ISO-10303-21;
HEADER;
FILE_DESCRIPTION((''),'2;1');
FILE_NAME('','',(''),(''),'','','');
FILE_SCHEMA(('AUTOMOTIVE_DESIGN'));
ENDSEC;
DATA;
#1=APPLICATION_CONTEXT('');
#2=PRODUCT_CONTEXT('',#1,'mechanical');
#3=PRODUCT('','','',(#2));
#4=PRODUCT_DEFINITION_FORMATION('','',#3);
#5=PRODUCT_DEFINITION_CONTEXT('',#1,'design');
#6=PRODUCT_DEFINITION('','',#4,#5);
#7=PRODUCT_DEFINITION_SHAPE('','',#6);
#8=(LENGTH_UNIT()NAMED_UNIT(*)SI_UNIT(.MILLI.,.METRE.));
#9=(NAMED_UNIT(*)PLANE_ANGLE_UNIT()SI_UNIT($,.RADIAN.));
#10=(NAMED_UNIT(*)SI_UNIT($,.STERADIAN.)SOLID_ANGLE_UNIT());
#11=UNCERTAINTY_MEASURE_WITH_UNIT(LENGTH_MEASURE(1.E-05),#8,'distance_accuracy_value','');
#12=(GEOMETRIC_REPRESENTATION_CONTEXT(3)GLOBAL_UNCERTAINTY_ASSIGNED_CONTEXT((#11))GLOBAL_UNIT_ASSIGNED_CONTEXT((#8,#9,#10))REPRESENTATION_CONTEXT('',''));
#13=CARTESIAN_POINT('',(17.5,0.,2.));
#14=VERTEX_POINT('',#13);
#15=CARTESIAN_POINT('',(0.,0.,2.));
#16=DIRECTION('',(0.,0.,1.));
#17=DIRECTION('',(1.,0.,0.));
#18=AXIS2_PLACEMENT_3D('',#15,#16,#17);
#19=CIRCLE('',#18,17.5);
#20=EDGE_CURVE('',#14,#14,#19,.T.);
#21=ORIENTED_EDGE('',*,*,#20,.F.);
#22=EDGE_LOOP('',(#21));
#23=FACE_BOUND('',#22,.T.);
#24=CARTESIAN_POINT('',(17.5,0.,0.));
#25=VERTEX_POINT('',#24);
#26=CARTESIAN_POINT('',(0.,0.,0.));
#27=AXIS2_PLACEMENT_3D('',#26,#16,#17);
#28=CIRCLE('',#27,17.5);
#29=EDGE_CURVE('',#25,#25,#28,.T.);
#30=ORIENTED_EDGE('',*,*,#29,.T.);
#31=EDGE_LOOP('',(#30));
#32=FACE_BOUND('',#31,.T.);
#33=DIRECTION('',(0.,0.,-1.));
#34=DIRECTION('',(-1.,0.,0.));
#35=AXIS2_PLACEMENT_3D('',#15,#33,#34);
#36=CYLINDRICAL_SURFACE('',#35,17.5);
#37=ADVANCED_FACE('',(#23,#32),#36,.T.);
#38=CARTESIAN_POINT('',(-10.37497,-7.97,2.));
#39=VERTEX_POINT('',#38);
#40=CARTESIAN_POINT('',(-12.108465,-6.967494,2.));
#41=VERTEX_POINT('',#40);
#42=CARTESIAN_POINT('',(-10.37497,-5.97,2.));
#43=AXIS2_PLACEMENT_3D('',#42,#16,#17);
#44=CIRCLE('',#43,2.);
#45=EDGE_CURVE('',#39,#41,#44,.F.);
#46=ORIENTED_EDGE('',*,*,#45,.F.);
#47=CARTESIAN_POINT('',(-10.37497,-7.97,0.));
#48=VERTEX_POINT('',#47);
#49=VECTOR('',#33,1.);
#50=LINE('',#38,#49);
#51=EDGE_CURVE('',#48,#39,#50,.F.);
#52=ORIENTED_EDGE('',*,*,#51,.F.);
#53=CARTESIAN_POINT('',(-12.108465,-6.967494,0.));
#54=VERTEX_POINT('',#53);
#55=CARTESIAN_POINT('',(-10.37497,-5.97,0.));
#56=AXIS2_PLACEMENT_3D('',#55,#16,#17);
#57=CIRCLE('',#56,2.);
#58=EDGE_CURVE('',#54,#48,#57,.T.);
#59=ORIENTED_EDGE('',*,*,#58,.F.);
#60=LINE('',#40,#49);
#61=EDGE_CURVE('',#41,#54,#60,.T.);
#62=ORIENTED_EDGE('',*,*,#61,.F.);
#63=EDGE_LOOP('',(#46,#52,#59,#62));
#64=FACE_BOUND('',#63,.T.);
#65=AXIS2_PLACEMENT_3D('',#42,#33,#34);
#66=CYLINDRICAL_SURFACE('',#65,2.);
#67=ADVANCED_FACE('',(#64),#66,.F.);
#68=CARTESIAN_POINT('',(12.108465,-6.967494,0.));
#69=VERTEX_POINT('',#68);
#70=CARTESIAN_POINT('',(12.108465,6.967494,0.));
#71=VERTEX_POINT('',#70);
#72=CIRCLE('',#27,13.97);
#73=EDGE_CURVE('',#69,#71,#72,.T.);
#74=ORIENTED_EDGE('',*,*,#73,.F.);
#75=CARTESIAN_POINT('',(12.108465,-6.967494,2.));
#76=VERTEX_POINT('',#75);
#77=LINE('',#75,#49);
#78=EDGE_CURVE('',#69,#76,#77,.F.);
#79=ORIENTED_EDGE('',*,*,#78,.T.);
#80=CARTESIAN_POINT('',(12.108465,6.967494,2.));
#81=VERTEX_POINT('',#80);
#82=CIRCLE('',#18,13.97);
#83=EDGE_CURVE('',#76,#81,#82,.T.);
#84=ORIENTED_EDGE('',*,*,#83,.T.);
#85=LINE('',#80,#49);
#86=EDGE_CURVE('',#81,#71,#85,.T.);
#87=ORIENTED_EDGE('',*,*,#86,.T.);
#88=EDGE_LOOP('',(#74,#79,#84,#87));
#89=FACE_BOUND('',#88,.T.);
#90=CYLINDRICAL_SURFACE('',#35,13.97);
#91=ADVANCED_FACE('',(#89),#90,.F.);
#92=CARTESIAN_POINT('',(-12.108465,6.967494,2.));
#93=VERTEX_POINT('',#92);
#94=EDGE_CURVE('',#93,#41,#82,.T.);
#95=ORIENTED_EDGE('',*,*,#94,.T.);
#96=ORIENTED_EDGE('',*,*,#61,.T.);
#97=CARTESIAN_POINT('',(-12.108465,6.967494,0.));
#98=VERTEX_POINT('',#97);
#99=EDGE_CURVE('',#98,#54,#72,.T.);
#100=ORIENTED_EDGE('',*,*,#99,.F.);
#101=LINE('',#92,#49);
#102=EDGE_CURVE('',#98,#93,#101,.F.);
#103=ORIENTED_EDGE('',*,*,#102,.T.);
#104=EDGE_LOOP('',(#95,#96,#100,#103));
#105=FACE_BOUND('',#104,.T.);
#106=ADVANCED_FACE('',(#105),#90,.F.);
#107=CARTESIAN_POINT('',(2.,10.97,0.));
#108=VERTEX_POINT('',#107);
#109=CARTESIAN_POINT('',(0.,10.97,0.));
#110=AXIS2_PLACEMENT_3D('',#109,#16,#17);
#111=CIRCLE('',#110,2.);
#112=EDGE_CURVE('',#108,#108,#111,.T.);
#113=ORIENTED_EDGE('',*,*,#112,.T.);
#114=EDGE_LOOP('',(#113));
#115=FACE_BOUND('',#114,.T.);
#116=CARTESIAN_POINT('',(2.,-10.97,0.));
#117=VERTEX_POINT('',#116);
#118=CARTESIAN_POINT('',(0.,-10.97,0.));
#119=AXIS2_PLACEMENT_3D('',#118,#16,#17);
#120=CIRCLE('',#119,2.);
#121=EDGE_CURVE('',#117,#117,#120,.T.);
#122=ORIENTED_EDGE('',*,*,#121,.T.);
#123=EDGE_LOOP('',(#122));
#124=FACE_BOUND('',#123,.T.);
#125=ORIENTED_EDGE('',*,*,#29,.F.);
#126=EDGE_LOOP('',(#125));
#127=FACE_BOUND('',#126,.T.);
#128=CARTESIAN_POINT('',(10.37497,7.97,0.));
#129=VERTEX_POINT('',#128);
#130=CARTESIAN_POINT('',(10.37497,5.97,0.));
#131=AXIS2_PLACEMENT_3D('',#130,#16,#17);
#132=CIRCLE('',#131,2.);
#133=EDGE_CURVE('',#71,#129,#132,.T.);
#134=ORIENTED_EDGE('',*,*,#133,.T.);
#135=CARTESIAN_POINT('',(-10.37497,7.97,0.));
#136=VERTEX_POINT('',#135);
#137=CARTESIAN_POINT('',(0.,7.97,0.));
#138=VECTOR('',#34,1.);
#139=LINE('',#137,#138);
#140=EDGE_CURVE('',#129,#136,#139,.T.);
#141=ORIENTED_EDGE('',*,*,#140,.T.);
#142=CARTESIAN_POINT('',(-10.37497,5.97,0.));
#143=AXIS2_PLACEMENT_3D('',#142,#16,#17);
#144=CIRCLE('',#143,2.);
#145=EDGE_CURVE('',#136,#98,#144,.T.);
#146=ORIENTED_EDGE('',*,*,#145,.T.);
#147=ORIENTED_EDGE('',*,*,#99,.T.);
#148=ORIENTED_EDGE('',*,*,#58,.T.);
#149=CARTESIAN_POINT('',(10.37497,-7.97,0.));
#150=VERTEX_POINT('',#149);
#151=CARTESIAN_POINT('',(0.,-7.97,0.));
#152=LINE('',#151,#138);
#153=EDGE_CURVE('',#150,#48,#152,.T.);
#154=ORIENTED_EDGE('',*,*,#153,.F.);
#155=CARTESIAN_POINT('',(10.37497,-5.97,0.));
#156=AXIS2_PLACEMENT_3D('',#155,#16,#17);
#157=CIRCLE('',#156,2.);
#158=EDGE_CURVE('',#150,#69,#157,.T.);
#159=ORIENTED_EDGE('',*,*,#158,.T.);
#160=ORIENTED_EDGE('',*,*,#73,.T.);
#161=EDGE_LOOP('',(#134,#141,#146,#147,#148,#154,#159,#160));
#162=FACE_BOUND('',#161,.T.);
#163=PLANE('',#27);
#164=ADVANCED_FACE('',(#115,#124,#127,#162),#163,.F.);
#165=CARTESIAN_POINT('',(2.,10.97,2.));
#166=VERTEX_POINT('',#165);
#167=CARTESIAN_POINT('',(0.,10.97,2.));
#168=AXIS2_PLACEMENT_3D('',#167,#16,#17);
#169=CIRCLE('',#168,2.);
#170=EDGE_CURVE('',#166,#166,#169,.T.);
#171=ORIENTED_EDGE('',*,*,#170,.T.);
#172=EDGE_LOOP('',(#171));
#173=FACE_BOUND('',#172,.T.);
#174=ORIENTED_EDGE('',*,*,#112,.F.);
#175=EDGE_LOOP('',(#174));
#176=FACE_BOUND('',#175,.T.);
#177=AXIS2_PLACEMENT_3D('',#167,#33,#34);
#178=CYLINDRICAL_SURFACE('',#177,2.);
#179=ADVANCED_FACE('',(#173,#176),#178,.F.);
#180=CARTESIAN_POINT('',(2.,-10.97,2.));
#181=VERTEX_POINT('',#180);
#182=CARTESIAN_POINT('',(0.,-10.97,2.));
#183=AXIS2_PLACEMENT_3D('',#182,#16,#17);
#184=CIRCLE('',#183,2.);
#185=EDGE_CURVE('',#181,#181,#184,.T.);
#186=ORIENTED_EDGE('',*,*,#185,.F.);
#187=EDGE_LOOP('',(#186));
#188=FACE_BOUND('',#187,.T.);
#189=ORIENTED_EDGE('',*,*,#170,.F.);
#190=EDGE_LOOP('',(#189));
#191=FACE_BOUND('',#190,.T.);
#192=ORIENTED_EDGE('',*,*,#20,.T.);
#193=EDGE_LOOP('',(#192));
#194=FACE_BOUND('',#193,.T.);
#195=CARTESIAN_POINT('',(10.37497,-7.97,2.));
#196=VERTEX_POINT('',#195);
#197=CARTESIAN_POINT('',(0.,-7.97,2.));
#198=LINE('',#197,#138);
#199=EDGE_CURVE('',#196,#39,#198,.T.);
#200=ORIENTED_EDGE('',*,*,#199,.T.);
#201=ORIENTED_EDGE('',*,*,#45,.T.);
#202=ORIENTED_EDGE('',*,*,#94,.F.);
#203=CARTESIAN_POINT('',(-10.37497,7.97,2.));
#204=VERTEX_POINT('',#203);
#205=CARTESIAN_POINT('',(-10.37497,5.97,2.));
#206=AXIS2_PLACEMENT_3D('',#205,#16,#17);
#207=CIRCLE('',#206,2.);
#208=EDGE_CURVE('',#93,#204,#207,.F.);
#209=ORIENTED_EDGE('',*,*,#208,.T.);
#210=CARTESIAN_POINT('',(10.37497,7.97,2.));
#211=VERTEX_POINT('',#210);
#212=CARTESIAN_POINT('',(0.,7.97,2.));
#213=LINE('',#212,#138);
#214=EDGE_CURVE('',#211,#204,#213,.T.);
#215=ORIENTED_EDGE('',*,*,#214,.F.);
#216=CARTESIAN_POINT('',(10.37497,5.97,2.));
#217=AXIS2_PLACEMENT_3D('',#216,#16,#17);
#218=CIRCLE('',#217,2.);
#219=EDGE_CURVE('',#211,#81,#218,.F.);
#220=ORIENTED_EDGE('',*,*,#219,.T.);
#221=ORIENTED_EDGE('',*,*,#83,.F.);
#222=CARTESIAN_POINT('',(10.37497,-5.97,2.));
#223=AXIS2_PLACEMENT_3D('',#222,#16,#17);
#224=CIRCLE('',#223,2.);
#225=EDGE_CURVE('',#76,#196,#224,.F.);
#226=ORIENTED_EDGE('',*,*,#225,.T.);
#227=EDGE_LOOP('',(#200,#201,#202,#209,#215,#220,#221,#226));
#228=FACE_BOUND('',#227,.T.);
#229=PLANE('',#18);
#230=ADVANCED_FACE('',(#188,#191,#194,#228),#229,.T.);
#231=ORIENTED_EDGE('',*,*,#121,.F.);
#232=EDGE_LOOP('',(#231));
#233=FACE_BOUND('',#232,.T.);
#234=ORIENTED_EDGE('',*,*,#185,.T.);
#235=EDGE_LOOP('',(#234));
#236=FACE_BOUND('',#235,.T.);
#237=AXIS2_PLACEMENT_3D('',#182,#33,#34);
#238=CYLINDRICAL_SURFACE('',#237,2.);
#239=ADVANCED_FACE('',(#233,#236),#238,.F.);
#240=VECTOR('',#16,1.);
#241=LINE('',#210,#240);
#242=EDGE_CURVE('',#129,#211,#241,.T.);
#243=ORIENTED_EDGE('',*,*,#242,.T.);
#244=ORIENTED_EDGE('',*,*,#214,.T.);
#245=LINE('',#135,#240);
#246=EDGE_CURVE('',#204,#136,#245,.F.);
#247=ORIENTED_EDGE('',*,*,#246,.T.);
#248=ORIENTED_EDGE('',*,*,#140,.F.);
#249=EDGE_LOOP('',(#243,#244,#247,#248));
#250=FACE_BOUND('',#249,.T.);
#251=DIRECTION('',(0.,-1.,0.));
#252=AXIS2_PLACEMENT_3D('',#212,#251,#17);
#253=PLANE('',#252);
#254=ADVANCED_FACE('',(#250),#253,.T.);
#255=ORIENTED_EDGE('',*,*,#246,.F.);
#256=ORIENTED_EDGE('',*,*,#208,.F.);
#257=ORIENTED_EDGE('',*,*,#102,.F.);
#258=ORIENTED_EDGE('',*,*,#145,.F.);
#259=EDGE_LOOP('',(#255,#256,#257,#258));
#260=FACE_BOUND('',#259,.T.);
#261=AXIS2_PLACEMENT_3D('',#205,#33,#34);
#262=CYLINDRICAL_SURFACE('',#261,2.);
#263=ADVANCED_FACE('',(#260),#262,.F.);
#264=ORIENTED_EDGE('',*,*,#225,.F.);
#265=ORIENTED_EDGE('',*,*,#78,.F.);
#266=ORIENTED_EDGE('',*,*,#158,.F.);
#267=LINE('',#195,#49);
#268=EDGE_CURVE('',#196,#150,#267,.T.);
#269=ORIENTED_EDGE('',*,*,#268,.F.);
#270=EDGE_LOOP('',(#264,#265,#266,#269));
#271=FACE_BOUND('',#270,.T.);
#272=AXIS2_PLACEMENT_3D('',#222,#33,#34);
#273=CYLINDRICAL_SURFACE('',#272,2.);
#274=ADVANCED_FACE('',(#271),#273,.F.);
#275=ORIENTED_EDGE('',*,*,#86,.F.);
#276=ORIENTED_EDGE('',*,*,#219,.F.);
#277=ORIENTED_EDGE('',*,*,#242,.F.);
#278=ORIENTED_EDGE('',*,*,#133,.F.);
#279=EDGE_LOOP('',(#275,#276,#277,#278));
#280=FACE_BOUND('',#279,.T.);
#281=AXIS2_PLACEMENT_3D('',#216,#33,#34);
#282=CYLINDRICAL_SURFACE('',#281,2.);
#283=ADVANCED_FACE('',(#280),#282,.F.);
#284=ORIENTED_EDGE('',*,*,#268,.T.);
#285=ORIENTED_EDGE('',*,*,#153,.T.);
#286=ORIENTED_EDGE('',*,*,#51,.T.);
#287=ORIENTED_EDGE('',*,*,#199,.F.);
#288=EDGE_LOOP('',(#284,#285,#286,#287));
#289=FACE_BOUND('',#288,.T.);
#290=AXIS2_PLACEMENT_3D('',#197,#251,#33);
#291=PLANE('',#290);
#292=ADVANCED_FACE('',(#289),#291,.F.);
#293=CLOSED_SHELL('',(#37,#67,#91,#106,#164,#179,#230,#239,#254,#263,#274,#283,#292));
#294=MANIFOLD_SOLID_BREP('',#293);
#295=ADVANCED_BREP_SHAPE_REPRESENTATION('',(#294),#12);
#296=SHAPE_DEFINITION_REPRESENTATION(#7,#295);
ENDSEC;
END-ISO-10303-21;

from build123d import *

# Parameters (mm, degrees)
SKETCH1_R           = 17.5
SKETCH1_R_2         = 13.97
SKETCH1_R_3         = 2
BOSS_EXTRUDE1_DEPTH = 2
FILLET1_R           = 2


with BuildPart() as part:
    # Sketch1 → Boss-Extrude1 (new body)
    # profile 1 of 3: a face of its own
    with BuildSketch(Plane.XY):
        Circle(SKETCH1_R)
        Circle(SKETCH1_R_2, mode=Mode.SUBTRACT)
    # profile 2 of 3: a face of its own
    with BuildSketch(Plane.XY):
        with BuildLine():
            Line((11.473447607, -7.97), (-11.473447607, -7.97))
            ThreePointArc((-11.473447607, -7.97), (0, -13.97), (11.473447607, -7.97))
        make_face()
        with Locations((0, -10.97)):
            Circle(SKETCH1_R_3, mode=Mode.SUBTRACT)
    # profile 3 of 3: a face of its own
    with BuildSketch(Plane.XY):
        with BuildLine():
            Line((-11.473447607, 7.97), (11.473447607, 7.97))
            ThreePointArc((11.473447607, 7.97), (0, 13.97), (-11.473447607, 7.97))
        make_face()
        with Locations((0, 10.97)):
            Circle(SKETCH1_R_3, mode=Mode.SUBTRACT)
    extrude(amount=BOSS_EXTRUDE1_DEPTH)

    # Fillet1
    fillet1_edges = [part.edges().sort_by_distance(p)[0] for p in [
        (11.473447607, -7.97, 1),
        (11.473447607, 7.97, 1),
        (-11.473447607, 7.97, 1),
        (-11.473447607, -7.97, 1),
    ]]
    fillet(fillet1_edges, radius=FILLET1_R)


solid = part.part
